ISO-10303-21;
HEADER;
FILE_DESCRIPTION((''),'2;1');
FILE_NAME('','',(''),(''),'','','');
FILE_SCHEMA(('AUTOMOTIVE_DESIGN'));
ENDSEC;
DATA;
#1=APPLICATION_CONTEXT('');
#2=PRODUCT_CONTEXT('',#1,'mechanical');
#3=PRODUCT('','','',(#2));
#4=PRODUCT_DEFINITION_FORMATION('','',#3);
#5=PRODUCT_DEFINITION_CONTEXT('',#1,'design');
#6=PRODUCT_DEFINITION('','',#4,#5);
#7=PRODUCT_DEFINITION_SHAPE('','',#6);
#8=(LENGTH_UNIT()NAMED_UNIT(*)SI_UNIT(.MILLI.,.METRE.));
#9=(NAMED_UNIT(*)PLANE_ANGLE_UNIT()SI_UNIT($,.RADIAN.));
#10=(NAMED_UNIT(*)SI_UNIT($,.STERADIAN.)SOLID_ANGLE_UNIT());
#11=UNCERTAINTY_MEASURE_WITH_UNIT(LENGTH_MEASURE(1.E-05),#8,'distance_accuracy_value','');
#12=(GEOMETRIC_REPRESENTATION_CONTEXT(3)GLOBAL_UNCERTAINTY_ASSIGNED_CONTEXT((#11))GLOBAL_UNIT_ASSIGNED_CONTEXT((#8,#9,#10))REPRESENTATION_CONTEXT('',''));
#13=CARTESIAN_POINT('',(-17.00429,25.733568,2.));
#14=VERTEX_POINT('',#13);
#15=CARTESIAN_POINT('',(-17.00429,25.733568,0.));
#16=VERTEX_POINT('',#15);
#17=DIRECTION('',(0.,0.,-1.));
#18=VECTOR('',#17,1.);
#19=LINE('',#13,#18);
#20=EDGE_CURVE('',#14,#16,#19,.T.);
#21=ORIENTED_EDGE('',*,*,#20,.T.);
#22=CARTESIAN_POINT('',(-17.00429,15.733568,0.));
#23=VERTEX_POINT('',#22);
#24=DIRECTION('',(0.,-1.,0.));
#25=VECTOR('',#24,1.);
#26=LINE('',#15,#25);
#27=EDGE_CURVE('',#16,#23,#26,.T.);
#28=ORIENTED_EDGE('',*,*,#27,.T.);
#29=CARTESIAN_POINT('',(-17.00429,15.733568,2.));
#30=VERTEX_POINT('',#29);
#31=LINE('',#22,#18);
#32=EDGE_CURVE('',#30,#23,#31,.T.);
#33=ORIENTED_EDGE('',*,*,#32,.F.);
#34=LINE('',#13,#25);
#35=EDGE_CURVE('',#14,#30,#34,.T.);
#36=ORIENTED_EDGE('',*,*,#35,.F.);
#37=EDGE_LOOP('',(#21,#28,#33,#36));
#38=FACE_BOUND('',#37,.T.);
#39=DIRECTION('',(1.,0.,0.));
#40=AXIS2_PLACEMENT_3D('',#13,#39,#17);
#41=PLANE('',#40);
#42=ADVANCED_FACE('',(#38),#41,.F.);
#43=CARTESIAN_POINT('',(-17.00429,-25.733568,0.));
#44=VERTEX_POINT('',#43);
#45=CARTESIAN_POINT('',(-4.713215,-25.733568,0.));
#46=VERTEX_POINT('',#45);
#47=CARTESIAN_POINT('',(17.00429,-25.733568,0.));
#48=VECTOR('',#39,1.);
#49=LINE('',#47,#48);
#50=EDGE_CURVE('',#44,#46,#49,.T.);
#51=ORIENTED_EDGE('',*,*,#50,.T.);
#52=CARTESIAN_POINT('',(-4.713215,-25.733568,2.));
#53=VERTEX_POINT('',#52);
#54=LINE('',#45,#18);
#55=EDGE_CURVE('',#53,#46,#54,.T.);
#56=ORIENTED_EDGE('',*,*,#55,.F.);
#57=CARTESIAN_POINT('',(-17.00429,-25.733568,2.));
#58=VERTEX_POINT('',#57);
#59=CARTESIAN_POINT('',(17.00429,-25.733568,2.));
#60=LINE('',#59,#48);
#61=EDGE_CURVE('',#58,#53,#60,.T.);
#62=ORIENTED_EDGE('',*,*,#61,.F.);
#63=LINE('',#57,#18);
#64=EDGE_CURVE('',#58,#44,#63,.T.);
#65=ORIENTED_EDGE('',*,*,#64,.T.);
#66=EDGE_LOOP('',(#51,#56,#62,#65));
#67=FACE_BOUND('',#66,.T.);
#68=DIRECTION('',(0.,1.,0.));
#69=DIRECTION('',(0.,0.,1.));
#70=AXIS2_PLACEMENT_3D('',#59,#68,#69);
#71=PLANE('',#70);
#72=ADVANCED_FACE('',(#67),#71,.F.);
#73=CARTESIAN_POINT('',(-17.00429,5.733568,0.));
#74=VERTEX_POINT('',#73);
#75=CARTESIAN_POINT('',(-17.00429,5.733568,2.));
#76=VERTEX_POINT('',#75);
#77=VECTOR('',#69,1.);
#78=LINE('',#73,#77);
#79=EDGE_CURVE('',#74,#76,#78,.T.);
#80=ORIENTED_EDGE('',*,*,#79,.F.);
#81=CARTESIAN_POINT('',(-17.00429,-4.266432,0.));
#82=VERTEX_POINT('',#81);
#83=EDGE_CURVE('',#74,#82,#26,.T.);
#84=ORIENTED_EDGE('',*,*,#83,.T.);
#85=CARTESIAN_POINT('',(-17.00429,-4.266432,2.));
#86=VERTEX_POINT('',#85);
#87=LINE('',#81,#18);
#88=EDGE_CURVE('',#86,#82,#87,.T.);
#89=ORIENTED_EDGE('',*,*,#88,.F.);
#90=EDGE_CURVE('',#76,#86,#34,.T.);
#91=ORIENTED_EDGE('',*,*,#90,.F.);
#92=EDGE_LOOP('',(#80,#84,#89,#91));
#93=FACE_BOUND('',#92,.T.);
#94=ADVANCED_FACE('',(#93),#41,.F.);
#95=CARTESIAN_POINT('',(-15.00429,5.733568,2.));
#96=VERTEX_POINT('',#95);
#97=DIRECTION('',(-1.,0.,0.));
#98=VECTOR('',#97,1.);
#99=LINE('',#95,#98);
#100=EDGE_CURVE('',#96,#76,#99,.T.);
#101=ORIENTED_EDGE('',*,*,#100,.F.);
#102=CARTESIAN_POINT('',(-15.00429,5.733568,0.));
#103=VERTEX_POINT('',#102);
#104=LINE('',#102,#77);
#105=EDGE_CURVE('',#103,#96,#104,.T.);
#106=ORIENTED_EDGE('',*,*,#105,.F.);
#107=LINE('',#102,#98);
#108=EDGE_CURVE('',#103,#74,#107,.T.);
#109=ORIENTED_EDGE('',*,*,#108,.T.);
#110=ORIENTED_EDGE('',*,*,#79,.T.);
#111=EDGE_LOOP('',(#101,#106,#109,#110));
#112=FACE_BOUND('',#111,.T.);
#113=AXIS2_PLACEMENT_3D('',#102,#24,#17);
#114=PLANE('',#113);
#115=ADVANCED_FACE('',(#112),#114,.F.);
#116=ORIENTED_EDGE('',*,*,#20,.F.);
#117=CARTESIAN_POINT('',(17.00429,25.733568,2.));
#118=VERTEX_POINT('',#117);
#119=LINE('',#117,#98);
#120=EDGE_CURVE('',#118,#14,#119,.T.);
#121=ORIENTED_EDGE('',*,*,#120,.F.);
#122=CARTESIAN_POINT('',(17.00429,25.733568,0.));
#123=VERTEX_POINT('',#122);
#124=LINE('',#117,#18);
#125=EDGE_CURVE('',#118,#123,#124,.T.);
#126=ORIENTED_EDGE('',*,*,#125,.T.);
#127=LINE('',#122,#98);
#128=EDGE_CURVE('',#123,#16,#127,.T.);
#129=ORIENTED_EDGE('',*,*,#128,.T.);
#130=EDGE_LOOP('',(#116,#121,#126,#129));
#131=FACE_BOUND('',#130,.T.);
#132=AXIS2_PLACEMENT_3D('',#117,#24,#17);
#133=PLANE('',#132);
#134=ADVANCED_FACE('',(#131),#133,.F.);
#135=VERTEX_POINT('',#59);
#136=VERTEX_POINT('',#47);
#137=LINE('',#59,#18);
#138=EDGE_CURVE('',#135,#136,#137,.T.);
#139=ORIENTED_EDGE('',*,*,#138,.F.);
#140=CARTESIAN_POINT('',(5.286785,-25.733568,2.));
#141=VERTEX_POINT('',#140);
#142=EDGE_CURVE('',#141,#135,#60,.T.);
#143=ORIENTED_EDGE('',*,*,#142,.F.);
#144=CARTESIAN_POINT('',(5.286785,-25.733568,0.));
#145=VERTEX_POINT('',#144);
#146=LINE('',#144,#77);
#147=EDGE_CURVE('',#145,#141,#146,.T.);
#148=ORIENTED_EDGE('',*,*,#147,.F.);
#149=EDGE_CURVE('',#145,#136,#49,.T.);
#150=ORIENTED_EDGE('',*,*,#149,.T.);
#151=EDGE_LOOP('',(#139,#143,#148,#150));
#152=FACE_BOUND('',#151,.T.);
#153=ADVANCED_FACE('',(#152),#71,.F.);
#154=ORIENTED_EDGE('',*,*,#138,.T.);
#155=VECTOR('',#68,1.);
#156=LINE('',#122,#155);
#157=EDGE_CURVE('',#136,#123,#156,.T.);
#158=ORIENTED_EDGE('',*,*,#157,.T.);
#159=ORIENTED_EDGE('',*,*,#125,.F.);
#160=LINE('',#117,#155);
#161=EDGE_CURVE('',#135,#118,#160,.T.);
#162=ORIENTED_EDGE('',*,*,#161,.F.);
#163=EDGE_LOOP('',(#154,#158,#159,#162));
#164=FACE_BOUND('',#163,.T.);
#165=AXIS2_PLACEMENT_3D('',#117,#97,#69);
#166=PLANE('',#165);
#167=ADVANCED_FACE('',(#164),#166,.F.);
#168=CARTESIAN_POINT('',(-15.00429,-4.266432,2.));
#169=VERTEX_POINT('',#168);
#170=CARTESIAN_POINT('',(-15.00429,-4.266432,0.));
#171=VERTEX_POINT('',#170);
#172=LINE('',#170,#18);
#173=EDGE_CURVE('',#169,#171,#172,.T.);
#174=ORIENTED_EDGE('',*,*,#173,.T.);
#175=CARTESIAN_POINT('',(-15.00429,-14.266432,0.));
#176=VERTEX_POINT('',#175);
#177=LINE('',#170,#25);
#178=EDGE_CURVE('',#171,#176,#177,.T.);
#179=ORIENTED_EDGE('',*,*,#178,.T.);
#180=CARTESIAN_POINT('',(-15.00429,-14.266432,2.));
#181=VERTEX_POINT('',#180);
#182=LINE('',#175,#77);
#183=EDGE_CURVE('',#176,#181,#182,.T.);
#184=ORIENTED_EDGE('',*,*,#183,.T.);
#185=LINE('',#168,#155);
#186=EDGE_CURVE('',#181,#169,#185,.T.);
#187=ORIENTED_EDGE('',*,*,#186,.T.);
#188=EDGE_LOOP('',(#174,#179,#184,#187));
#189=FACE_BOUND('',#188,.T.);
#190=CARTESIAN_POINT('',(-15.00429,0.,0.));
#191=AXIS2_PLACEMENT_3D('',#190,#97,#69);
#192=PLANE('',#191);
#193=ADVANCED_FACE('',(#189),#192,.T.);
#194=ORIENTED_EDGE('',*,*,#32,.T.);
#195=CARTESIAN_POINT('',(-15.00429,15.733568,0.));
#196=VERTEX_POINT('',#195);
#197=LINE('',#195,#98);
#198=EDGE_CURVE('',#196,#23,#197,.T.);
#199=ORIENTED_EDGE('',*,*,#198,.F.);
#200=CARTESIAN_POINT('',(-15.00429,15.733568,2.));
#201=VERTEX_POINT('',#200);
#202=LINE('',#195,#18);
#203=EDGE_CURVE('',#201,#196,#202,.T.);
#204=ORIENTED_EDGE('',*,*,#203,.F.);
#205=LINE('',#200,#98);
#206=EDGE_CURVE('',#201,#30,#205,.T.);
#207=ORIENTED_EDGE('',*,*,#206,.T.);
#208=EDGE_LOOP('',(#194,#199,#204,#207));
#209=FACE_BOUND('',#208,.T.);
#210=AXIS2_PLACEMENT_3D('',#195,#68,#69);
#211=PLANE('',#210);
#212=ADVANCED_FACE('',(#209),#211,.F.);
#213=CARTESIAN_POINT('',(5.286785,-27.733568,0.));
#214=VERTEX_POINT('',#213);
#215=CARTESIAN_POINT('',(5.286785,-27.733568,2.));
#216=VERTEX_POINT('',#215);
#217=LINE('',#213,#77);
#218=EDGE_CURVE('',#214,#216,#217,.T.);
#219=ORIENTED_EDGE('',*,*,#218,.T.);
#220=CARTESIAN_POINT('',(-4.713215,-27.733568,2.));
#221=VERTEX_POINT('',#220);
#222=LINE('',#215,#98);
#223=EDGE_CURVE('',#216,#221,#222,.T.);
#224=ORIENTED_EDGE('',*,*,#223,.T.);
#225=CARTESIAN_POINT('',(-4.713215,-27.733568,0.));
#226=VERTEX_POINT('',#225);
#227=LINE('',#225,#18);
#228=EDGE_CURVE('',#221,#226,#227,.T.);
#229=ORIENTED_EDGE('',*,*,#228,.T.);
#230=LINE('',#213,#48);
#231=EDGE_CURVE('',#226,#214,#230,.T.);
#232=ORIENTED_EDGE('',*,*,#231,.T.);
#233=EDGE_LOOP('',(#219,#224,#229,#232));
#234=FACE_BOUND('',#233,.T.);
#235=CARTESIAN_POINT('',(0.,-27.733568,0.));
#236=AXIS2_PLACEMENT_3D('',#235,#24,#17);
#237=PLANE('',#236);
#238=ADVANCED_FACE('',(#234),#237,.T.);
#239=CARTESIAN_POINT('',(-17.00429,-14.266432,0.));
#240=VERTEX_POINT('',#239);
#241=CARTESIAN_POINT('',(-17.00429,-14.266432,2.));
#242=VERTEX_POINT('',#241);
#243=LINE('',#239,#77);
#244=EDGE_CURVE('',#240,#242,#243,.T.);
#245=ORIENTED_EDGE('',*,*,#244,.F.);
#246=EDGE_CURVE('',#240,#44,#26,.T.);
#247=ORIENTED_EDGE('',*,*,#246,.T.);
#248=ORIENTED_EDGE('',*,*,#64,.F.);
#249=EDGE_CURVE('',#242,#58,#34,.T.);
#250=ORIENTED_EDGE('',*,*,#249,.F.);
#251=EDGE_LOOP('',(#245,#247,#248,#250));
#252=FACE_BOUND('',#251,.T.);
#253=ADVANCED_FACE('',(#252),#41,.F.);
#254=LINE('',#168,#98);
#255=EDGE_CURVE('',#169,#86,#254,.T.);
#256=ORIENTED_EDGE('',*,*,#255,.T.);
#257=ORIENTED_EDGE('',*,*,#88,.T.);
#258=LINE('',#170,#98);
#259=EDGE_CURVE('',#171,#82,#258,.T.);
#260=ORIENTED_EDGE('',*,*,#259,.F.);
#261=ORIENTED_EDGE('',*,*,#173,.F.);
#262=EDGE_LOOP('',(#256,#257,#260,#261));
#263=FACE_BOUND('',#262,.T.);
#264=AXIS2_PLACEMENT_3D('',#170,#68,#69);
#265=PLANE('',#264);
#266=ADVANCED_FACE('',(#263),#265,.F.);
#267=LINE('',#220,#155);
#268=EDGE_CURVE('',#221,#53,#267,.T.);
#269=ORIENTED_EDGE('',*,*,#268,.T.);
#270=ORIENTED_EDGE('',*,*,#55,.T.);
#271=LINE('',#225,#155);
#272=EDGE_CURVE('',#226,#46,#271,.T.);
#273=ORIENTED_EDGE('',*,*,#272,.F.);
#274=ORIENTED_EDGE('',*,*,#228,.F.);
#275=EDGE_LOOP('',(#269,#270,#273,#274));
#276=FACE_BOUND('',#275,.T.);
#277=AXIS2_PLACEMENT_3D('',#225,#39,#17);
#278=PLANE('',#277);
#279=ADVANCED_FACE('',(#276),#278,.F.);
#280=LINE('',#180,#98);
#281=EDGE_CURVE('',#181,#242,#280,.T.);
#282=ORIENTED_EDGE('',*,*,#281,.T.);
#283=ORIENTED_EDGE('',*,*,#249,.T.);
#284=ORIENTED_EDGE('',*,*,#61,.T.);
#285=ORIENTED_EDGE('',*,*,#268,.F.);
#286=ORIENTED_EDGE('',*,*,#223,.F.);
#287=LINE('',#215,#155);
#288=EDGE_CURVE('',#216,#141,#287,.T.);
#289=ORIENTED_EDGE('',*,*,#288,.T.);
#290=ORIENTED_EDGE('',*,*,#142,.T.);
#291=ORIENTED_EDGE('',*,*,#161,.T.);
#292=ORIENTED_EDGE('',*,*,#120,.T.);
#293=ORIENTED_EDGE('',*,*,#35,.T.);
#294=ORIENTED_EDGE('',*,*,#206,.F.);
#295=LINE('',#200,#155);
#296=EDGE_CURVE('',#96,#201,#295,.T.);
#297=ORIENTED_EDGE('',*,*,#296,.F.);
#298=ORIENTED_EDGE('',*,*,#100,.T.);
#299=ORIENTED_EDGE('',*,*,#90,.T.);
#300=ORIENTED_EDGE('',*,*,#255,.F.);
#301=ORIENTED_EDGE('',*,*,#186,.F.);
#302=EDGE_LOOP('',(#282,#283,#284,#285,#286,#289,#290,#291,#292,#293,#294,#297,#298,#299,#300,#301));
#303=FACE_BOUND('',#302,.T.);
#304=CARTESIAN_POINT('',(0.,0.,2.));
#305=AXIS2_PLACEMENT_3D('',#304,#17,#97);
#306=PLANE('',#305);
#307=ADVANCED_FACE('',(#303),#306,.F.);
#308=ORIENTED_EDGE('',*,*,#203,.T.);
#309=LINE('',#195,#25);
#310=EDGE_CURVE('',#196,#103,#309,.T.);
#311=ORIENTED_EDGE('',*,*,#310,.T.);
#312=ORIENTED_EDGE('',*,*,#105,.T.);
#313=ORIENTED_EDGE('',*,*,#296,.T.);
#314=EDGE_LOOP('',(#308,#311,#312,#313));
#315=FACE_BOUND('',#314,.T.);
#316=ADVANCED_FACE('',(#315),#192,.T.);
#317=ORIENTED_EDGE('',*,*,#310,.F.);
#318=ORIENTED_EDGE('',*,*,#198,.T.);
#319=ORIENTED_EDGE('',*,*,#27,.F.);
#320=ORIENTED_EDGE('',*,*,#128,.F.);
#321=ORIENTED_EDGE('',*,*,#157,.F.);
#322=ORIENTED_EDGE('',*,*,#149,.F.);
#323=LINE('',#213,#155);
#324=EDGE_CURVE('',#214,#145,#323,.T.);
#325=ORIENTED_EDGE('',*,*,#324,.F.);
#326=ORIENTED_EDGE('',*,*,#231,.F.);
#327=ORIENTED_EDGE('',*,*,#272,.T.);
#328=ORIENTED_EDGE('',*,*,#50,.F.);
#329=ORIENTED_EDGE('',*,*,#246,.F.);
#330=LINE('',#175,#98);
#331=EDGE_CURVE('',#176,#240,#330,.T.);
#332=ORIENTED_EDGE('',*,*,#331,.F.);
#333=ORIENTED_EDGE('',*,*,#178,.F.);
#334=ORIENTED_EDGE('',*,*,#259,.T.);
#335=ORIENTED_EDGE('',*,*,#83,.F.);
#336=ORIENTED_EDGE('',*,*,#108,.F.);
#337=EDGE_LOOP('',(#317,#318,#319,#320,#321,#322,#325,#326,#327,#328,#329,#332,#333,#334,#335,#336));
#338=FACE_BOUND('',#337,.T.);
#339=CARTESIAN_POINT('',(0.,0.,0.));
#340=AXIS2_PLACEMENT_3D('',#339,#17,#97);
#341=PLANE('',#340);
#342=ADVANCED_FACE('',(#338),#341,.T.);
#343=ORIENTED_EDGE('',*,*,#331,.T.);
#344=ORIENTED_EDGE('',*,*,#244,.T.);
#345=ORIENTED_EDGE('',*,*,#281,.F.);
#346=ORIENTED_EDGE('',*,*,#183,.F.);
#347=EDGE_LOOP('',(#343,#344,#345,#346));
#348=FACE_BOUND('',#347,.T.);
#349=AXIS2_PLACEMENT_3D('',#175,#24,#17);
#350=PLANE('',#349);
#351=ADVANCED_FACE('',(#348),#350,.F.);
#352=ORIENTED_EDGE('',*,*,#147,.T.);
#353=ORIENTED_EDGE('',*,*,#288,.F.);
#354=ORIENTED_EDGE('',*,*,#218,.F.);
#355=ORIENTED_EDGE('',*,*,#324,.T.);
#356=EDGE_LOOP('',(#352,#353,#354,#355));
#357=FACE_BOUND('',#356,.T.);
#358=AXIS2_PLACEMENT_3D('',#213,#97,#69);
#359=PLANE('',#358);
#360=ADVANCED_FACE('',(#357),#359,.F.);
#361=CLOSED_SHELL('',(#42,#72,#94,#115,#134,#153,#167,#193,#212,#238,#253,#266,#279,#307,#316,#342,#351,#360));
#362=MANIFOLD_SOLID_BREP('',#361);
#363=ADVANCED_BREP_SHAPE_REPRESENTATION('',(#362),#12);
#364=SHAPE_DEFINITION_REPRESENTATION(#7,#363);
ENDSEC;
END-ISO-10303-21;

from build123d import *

# Parameters (mm, degrees)
SKIZZE1_W                       = 34.00858099
SKIZZE1_H                       = 51.467136578
AUFSATZ_LINEAR_AUSTRAGEN1_DEPTH = 2
SKIZZE6_W                       = 10
SKIZZE6_H                       = 2
AUFSATZ_LINEAR_AUSTRAGEN2_DEPTH = 2
SKIZZE7_W                       = 2
SKIZZE7_H                       = 10
SCHNITT_LINEAR_AUSTRAGEN1_DEPTH = 2
SKIZZE8_W                       = 2
SKIZZE8_H                       = 10
SCHNITT_LINEAR_AUSTRAGEN2_DEPTH = 2


with BuildPart() as part:
    # Skizze1 → Aufsatz-Linear austragen1 (new body)
    with BuildSketch(Plane.XY):
        Rectangle(SKIZZE1_W, SKIZZE1_H)
    extrude(amount=AUFSATZ_LINEAR_AUSTRAGEN1_DEPTH)

    # Skizze6 → Aufsatz-Linear austragen2 (add)
    with BuildSketch(Plane.XZ.offset(25.733568289)):
        with Locations((0.286784859, 1)):
            Rectangle(SKIZZE6_W, SKIZZE6_H)
    extrude(amount=AUFSATZ_LINEAR_AUSTRAGEN2_DEPTH)

    # Skizze7 → Schnitt-Linear austragen1 (cut)
    with BuildSketch(Plane.ZY.offset(17.004290495)):
        with Locations((1, 10.733568289)):
            Rectangle(SKIZZE7_W, SKIZZE7_H)
    extrude(amount=-SCHNITT_LINEAR_AUSTRAGEN1_DEPTH, mode=Mode.SUBTRACT)

    # Skizze8 → Schnitt-Linear austragen2 (cut)
    with BuildSketch(Plane.ZY.offset(17.004290495)):
        with Locations((1, -9.266431711)):
            Rectangle(SKIZZE8_W, SKIZZE8_H)
    extrude(amount=-SCHNITT_LINEAR_AUSTRAGEN2_DEPTH, mode=Mode.SUBTRACT)


solid = part.part
